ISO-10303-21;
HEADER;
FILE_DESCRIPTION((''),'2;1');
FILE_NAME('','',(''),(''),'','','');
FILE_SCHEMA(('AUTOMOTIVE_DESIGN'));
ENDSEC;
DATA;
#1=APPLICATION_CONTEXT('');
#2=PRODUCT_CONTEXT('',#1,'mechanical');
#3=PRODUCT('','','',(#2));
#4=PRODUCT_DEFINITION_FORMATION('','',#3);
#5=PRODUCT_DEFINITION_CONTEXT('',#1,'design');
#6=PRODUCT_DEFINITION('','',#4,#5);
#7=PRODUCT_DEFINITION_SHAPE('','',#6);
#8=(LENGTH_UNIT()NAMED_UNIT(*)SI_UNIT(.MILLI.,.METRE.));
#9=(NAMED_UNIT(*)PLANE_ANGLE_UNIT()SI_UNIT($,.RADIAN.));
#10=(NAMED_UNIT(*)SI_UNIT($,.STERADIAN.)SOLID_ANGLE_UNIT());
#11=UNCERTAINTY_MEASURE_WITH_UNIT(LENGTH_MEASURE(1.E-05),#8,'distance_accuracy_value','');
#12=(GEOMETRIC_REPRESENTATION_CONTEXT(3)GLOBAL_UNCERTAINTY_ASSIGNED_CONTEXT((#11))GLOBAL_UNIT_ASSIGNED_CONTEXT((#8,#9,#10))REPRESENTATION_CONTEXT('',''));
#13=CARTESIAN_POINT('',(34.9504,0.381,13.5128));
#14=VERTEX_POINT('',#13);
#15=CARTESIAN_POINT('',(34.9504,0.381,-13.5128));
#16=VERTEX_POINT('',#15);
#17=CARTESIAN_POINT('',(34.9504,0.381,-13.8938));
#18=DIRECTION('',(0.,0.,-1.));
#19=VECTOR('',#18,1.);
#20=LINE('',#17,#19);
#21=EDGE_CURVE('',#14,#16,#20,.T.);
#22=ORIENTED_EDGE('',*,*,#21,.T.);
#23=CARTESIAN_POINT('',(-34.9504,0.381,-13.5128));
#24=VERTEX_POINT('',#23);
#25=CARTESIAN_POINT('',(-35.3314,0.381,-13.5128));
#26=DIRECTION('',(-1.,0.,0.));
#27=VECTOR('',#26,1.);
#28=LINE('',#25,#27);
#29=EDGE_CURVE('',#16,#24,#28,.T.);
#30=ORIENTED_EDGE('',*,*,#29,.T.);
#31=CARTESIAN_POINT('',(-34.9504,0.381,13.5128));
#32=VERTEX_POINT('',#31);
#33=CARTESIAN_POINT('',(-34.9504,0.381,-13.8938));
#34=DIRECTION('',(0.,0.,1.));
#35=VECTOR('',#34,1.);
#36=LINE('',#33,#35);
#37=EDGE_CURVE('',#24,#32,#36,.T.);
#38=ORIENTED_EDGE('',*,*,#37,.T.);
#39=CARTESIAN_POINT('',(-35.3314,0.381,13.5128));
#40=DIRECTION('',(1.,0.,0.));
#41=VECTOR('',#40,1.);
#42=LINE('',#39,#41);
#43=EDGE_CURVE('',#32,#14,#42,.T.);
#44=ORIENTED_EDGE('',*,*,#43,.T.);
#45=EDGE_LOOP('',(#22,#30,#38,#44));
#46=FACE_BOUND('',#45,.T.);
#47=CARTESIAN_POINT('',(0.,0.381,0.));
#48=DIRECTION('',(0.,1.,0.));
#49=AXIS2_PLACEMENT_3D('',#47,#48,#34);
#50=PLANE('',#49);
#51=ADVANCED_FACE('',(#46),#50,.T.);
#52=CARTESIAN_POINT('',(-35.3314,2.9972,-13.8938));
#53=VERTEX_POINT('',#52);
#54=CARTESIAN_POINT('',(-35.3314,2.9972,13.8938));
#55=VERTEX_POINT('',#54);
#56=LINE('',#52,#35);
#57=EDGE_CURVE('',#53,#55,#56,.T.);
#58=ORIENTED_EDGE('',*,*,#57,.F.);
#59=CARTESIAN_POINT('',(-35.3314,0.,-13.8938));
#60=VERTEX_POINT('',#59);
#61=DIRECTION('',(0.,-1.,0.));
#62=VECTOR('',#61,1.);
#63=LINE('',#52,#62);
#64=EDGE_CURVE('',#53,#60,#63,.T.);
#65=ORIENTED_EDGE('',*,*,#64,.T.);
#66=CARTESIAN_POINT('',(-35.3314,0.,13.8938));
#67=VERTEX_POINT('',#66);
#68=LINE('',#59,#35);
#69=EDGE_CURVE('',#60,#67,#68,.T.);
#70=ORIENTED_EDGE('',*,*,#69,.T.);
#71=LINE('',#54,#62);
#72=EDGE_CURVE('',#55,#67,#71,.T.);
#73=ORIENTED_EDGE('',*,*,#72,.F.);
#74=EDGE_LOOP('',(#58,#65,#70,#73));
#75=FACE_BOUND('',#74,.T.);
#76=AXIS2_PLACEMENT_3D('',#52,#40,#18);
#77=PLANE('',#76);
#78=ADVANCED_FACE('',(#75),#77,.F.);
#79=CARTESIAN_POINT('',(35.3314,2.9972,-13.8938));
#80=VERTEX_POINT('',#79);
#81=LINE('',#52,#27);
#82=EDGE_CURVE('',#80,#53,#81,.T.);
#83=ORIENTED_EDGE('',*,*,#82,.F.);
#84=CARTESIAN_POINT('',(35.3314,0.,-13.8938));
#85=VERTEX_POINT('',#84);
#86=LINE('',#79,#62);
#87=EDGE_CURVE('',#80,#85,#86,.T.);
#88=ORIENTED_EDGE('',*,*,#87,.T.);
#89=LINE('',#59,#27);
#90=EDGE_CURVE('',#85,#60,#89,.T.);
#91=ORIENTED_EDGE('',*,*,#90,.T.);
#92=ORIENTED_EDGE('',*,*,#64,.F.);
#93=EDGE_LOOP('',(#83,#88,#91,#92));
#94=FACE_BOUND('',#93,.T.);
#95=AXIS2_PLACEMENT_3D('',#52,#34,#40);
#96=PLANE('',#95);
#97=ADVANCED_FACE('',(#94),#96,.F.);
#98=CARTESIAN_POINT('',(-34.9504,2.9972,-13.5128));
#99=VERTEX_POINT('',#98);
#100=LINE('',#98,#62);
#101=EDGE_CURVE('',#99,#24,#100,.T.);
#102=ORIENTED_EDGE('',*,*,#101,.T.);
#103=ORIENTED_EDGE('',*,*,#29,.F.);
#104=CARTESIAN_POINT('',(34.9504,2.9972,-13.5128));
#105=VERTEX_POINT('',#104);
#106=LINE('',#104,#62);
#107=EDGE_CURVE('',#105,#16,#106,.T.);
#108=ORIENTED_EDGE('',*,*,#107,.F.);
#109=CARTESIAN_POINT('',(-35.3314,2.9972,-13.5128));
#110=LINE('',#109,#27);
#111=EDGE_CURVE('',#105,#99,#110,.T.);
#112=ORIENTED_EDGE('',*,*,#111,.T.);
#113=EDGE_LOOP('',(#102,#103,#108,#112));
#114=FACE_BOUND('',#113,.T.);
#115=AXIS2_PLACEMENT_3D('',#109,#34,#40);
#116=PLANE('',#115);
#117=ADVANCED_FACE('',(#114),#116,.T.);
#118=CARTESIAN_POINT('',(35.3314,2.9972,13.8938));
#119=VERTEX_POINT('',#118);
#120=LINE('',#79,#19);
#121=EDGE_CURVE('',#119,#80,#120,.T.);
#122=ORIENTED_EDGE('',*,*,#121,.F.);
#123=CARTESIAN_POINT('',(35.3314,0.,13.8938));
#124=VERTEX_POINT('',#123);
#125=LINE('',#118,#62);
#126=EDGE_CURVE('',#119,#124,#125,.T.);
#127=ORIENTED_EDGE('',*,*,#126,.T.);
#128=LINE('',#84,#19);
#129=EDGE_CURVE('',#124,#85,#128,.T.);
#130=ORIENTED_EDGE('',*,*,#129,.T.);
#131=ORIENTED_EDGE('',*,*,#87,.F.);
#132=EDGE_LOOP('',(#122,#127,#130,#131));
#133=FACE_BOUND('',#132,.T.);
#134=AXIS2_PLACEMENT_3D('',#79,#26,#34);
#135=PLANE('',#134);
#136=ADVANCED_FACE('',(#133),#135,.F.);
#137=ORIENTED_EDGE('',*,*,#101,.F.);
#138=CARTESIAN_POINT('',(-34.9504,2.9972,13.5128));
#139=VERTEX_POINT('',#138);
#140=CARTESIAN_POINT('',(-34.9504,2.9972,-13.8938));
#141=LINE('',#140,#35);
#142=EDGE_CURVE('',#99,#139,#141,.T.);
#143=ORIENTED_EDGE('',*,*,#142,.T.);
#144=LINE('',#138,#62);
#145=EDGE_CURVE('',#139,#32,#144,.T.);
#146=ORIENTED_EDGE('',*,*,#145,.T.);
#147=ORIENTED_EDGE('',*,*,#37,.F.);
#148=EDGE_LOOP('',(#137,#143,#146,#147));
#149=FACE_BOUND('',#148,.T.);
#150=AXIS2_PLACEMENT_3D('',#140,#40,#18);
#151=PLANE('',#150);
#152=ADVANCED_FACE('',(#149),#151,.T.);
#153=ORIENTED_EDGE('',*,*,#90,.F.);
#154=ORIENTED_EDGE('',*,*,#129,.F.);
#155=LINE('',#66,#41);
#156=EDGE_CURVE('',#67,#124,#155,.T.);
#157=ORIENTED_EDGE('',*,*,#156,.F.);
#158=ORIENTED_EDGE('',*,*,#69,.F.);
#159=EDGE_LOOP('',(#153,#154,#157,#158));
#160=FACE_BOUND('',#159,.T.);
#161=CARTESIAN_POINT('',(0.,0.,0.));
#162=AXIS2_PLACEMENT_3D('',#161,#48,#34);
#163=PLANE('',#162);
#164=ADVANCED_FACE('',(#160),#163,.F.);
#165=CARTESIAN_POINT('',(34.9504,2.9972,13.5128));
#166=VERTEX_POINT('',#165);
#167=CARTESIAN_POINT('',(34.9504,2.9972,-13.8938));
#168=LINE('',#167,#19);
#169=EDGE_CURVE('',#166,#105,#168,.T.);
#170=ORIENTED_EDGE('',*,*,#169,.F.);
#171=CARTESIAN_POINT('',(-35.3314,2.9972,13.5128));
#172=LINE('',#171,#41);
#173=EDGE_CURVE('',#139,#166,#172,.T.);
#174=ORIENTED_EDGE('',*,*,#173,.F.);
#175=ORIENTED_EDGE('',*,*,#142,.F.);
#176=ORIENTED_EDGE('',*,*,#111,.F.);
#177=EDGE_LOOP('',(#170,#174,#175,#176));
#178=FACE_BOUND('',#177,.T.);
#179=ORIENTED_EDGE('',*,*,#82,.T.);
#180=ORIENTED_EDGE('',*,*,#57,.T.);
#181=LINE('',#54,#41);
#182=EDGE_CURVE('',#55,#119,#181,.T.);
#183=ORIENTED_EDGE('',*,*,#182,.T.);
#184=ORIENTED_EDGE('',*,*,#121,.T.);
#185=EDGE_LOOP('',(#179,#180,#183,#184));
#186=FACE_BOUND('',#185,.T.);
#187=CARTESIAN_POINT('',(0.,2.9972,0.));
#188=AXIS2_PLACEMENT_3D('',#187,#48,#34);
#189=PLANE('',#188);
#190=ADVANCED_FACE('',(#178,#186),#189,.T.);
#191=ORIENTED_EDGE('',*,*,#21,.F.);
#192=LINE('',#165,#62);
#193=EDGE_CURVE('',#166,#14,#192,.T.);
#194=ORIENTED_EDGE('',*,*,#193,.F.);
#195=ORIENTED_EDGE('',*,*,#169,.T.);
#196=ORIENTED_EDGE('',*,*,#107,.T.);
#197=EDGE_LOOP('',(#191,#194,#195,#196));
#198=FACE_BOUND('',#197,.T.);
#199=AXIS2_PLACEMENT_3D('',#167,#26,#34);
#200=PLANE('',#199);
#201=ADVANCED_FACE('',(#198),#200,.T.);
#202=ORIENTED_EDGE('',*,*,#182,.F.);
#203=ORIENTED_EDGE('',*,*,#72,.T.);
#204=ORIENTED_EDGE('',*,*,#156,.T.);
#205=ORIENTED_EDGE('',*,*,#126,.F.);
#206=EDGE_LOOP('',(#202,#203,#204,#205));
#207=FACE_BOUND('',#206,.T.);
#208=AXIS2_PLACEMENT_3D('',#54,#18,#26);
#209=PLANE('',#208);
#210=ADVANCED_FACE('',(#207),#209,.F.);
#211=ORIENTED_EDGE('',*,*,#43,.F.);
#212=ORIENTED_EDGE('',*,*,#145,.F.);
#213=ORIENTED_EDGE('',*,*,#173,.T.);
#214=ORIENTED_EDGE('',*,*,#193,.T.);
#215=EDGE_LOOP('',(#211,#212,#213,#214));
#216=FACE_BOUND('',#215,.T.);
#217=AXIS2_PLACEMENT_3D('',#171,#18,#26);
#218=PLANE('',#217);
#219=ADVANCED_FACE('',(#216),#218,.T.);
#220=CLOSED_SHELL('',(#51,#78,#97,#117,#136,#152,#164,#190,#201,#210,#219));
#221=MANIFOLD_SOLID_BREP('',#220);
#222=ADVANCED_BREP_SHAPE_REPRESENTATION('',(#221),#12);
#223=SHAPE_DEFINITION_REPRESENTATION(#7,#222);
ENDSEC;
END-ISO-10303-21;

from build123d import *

# Parameters (mm, degrees)
SKETCH1_W           = 70.6628
SKETCH1_H           = 27.7876
BOSS_EXTRUDE1_DEPTH = 2.9972
SHELL1_T            = -0.381


with BuildPart() as part:
    # Sketch1 → Boss-Extrude1 (new body)
    with BuildSketch(Plane(origin=(0, 0, 0), x_dir=(1, 0, 0), z_dir=(0, 1, 0))):
        Rectangle(SKETCH1_W, SKETCH1_H)
    extrude(amount=BOSS_EXTRUDE1_DEPTH)

    # Shell1
    shell1_openings = [part.faces().sort_by_distance(p)[0] for p in [
        (0, 2.9972, 0),
    ]]
    offset(amount=SHELL1_T, openings=shell1_openings, kind=Kind.INTERSECTION)


solid = part.part
